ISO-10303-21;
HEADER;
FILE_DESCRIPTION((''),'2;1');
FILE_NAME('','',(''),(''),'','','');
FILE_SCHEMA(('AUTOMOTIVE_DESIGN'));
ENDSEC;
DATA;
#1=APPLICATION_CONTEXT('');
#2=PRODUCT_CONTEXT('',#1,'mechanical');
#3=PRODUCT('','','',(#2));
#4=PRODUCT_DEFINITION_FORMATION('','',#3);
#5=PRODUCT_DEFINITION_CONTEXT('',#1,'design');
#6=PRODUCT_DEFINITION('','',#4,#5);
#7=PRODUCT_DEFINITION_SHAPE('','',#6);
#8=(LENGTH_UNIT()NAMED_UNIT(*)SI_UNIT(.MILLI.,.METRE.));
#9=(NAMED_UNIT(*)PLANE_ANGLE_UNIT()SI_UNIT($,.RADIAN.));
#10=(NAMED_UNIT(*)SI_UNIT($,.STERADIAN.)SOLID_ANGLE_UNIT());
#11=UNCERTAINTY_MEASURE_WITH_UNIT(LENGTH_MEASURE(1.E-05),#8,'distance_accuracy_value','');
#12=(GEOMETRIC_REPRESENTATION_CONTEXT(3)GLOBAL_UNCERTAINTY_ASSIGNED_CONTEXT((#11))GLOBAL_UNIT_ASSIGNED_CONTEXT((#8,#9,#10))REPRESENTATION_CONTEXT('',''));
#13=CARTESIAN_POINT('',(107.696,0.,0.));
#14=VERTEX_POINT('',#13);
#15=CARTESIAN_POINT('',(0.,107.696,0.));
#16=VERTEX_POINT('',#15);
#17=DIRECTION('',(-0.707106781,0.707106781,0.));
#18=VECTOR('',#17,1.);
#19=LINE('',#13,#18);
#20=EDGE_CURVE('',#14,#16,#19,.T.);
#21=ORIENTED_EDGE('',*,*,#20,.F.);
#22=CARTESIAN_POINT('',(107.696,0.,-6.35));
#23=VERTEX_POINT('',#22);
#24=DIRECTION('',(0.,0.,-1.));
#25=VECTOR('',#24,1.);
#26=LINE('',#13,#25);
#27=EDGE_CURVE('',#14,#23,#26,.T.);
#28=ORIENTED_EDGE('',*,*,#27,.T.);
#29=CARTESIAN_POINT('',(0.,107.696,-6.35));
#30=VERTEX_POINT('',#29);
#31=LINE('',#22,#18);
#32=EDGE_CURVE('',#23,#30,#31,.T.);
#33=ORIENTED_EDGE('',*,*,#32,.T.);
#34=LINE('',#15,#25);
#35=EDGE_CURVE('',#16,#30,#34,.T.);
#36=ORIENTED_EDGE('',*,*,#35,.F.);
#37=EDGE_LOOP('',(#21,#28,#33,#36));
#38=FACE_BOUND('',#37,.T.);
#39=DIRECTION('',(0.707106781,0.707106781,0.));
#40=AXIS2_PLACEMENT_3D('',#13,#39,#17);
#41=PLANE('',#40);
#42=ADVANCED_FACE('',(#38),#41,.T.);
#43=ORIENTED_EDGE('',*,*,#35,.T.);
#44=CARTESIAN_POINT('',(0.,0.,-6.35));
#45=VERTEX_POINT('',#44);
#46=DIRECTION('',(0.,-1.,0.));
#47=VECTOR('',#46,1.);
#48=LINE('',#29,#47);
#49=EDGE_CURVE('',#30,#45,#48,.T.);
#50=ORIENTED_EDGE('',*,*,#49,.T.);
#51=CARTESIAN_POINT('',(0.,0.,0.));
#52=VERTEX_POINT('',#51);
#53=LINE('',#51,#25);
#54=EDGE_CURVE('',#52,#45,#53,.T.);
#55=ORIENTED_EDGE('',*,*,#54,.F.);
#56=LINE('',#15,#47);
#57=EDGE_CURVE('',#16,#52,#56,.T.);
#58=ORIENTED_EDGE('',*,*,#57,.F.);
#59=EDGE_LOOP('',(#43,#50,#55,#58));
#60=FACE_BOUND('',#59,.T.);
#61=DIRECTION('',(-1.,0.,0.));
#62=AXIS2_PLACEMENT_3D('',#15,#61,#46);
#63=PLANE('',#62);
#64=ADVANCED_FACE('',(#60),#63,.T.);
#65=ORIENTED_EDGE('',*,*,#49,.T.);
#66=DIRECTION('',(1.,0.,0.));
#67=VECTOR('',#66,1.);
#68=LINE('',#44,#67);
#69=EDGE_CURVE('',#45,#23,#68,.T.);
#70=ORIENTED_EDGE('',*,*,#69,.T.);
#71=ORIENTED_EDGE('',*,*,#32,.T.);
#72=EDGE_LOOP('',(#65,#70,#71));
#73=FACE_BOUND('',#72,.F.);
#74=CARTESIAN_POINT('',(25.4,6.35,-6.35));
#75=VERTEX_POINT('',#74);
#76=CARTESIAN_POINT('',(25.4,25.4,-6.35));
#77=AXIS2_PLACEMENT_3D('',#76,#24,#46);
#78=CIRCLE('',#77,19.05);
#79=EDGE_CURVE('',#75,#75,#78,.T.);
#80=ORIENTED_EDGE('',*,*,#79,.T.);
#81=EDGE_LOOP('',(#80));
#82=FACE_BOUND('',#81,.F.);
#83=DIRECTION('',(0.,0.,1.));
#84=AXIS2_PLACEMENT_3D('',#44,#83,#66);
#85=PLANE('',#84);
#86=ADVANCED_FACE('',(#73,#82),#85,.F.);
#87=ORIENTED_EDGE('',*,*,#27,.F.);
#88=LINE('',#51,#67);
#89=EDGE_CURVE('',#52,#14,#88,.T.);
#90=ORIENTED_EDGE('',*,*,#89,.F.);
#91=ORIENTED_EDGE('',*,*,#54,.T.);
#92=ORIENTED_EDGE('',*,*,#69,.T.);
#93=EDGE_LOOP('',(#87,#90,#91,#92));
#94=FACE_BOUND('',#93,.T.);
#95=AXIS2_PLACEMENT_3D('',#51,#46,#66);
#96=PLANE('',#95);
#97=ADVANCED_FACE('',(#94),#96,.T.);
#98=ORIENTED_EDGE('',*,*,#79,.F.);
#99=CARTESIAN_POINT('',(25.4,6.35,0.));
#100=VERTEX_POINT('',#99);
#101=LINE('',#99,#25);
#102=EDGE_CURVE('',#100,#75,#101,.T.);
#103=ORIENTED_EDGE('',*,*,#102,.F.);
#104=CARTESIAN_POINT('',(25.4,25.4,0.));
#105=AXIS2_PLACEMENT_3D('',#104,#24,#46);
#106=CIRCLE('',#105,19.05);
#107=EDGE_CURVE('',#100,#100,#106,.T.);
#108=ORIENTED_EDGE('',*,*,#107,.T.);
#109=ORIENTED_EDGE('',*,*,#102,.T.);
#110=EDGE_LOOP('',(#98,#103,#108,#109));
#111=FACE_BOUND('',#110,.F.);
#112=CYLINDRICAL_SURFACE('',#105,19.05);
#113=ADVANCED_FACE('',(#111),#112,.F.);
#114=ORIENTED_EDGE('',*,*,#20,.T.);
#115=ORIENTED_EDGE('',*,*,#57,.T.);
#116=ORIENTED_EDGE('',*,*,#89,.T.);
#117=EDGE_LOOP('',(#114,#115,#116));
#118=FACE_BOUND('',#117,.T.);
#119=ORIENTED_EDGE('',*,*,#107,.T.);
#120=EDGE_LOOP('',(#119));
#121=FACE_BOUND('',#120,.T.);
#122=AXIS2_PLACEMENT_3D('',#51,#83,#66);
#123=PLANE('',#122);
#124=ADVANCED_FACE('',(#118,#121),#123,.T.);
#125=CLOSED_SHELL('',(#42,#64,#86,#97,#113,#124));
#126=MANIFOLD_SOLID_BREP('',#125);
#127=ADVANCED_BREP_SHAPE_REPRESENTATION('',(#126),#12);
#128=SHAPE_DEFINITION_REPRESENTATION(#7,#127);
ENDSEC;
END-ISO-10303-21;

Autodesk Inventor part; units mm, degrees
ref_plane "YZ Plane" through (0, 0, 0) normal (1, 0, 0) x (0, 1, 0)
ref_plane "XZ Plane" through (0, 0, 0) normal (0, 1, 0) x (-1, 0, 0)
ref_plane "XY Plane" through (0, 0, 0) normal (0, 0, 1) x (1, 0, 0)
sketch "Sketch1" plane through (0, 0, 0) normal (0, 0, 1) x (1, 0, 0)
  line L0 (0, 0) -> (107.696, 0)
  line L1 (107.696, 0) -> (0, 107.696)
  line L2 (0, 107.696) -> (0, 0)
  point P0 (25.4, 25.4)
  dimension "d0" = 107.696
  dimension "d1" = 25.4
  dimension "d2" = 25.4
extrude "Extrusion1" add sketch "Sketch1" against normal blind 6.35
hole "Hole1" at (25.4, 25.4, 0) direction (0, 0, -1) diameter 38.1 end through all
ref_plane "Work Plane1" through (0, 107.696, -3.175) normal (0, 0, -1) x (-1, 0, 0)
properties part number "GE-13018-05" material "Steel"
